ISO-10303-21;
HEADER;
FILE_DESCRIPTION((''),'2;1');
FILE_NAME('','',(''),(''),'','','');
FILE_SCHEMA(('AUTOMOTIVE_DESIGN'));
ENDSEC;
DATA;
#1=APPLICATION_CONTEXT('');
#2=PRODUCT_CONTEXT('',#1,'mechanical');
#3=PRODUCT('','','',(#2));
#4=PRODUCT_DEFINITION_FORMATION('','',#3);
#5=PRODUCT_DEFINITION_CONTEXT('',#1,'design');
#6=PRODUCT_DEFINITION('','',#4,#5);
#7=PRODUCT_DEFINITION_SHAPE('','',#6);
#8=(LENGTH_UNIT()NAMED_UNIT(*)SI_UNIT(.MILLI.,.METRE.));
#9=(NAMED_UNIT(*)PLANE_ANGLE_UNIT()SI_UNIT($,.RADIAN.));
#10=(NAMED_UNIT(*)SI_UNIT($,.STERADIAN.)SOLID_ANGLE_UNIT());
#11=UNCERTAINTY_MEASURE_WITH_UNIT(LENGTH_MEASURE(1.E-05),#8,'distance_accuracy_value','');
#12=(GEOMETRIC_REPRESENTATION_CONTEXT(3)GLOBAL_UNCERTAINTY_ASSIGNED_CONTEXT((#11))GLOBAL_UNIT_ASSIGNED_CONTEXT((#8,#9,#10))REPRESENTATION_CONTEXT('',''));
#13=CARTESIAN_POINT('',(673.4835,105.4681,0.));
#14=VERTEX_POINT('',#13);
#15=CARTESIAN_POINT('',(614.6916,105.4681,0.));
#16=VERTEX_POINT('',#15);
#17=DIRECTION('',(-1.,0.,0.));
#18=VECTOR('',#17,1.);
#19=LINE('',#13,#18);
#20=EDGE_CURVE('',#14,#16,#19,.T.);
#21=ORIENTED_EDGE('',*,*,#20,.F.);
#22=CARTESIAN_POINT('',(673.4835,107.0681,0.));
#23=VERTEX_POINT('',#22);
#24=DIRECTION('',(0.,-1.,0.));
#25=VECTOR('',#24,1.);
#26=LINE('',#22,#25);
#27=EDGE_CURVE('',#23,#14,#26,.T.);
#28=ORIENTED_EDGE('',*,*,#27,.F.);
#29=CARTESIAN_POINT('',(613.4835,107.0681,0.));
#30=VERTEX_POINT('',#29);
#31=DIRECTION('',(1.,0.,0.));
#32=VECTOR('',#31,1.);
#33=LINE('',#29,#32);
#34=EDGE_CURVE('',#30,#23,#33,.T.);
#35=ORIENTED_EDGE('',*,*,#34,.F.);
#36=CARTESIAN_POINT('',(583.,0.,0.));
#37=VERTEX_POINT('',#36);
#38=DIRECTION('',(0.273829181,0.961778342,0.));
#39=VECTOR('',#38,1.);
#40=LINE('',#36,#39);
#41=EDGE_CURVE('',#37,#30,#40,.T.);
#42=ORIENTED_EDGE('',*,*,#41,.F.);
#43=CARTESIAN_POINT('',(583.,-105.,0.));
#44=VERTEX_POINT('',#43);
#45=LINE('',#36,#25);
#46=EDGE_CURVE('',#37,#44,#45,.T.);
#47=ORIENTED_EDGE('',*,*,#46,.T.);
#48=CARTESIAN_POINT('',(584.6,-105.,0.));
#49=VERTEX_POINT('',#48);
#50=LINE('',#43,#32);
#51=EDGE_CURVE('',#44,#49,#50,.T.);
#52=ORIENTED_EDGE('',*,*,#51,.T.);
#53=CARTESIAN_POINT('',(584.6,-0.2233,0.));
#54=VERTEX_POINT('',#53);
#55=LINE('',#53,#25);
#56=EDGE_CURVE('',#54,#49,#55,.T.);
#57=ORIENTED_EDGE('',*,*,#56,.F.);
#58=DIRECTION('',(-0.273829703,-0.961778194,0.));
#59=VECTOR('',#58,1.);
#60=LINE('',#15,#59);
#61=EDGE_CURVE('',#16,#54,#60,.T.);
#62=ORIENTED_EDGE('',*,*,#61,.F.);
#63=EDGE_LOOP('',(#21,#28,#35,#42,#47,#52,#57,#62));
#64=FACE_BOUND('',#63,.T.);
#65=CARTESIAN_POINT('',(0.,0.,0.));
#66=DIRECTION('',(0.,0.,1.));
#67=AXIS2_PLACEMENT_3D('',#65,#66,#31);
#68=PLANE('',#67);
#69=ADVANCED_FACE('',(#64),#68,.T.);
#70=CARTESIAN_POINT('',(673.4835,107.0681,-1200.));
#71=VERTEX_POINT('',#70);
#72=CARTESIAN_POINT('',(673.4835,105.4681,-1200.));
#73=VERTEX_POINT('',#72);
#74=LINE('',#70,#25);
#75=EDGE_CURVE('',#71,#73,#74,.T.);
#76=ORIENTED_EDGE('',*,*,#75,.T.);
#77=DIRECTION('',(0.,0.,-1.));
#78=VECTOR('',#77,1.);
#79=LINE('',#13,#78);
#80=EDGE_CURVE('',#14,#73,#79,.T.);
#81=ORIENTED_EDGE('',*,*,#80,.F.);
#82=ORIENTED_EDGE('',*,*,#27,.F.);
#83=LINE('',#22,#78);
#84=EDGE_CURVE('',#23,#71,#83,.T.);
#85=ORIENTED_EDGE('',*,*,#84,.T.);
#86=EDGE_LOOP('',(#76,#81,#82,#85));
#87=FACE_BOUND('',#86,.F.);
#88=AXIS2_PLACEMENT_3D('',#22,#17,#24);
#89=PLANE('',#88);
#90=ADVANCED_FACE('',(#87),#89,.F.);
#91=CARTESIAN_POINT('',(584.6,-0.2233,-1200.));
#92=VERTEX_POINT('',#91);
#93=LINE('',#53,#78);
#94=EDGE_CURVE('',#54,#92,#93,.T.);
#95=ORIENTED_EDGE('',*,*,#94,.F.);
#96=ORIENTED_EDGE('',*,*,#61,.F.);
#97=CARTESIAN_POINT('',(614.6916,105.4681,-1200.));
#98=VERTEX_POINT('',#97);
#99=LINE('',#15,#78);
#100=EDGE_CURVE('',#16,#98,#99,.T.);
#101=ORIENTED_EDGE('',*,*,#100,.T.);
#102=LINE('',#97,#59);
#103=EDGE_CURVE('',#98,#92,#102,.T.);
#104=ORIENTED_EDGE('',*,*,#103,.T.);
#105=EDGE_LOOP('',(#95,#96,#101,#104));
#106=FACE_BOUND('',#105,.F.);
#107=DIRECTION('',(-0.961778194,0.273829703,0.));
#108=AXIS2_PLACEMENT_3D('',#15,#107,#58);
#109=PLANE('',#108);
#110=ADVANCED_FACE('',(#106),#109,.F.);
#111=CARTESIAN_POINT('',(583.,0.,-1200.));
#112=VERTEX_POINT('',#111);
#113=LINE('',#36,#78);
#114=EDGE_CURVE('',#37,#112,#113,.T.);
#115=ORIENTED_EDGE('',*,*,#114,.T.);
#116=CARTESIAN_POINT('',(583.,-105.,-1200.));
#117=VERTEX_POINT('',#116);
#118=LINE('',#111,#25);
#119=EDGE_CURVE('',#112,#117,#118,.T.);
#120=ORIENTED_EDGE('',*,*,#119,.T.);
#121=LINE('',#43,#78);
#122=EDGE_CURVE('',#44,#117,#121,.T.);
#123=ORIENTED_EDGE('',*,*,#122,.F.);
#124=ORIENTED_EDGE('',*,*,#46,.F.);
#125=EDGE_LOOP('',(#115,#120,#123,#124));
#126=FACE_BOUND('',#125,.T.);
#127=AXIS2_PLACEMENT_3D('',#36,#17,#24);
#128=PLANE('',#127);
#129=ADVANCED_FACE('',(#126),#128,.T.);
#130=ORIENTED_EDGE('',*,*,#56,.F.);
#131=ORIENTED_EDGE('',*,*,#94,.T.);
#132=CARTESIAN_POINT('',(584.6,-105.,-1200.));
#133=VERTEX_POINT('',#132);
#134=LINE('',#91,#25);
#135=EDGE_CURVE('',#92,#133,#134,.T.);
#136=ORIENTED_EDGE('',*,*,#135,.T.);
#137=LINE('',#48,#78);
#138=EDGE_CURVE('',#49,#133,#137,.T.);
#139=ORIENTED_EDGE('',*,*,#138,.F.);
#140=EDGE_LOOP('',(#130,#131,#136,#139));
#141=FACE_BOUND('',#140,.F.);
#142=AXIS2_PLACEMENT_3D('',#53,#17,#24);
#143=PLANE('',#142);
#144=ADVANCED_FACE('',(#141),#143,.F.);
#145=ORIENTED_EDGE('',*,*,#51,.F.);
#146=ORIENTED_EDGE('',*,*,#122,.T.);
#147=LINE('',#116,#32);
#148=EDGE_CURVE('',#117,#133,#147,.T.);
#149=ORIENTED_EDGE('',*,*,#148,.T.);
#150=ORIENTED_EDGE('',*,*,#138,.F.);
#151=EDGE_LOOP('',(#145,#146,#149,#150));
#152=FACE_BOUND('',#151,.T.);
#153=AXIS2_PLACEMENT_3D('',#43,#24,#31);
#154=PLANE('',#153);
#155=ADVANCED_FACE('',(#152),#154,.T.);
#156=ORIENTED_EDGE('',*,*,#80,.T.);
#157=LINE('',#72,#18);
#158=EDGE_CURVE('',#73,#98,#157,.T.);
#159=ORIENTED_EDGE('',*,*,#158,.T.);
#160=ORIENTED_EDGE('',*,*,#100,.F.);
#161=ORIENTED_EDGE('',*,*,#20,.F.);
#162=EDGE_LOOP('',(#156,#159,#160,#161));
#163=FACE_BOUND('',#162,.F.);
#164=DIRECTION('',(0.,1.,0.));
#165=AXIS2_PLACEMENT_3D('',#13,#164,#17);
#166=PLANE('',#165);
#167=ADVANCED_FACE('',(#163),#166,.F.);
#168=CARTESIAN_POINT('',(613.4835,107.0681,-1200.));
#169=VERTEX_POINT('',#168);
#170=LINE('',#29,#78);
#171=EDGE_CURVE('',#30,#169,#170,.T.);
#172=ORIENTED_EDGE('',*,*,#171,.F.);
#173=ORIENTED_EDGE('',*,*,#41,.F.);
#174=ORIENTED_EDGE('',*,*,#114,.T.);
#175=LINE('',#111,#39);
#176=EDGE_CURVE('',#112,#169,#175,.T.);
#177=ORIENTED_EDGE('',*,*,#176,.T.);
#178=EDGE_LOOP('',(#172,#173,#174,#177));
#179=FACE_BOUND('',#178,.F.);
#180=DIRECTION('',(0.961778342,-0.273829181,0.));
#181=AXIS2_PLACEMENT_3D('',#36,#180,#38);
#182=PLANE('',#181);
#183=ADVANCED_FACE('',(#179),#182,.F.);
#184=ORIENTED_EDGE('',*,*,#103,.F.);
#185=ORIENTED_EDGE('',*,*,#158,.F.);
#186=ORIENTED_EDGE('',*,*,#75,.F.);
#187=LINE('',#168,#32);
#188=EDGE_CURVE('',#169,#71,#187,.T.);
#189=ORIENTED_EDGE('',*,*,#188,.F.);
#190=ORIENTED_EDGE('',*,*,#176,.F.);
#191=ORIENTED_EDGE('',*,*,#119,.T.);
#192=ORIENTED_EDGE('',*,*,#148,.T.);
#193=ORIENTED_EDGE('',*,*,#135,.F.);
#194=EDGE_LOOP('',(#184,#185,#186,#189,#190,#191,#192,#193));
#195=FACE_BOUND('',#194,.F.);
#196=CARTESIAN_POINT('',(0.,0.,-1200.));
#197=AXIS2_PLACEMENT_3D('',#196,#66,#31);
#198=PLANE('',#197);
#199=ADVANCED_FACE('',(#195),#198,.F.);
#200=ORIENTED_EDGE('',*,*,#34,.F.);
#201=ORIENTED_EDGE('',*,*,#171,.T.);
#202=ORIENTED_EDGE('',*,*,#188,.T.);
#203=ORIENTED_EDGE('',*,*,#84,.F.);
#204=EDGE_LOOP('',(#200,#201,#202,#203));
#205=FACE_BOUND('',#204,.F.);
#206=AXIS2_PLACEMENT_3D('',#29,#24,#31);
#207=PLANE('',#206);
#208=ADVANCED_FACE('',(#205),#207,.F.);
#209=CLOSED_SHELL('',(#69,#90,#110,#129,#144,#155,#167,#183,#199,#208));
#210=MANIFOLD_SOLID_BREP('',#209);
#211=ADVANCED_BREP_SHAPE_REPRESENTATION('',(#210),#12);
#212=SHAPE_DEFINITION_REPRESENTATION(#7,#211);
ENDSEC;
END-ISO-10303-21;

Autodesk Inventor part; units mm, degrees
ref_plane "YZ Plane" through (0, 0, 0) normal (1, 0, 0) x (0, 1, 0)
ref_plane "XZ Plane" through (0, 0, 0) normal (0, 1, 0) x (-1, 0, 0)
ref_plane "XY Plane" through (0, 0, 0) normal (0, 0, 1) x (1, 0, 0)
sketch "Sketch1" plane through (0, 0, 0) normal (0, 0, 1) x (1, 0, 0)
  line L0 (583, 0) -> (583, -566) projected
  line L1 (613.4835, 107.0681) -> (1060.6433, 107.0681) projected
  point P0 (0, 0)
sketch "Sketch2" plane through (0, 0, 0) normal (0, 0, 1) x (1, 0, 0)
  line L0 (583, 0) -> (613.4835, 107.0681)
  line L1 (613.4835, 107.0681) -> (673.4835, 107.0681)
  line L2 (583, 0) -> (583, -105)
  line L3 (673.4835, 105.4681) -> (614.6916, 105.4681)
  line L4 (614.6916, 105.4681) -> (584.6, -0.2233)
  line L5 (584.6, -0.2233) -> (584.6, -105)
  line L6 (583, -105) -> (584.6, -105)
  line L7 (673.4835, 107.0681) -> (673.4835, 105.4681)
  point P0 (0, 0)
  dimension "d0" = 105
  dimension "d1" = 60
  dimension "d2" = 1.6
extrude "Extrusion1" add sketch "Sketch2" against normal blind 1200
sketch "Sketch3" plane through (583, -105, -1200) normal (0, -1, 0) x (1, 0, 0)
  point P0 (-583, 1200)
properties part number "front" material "Steel"
